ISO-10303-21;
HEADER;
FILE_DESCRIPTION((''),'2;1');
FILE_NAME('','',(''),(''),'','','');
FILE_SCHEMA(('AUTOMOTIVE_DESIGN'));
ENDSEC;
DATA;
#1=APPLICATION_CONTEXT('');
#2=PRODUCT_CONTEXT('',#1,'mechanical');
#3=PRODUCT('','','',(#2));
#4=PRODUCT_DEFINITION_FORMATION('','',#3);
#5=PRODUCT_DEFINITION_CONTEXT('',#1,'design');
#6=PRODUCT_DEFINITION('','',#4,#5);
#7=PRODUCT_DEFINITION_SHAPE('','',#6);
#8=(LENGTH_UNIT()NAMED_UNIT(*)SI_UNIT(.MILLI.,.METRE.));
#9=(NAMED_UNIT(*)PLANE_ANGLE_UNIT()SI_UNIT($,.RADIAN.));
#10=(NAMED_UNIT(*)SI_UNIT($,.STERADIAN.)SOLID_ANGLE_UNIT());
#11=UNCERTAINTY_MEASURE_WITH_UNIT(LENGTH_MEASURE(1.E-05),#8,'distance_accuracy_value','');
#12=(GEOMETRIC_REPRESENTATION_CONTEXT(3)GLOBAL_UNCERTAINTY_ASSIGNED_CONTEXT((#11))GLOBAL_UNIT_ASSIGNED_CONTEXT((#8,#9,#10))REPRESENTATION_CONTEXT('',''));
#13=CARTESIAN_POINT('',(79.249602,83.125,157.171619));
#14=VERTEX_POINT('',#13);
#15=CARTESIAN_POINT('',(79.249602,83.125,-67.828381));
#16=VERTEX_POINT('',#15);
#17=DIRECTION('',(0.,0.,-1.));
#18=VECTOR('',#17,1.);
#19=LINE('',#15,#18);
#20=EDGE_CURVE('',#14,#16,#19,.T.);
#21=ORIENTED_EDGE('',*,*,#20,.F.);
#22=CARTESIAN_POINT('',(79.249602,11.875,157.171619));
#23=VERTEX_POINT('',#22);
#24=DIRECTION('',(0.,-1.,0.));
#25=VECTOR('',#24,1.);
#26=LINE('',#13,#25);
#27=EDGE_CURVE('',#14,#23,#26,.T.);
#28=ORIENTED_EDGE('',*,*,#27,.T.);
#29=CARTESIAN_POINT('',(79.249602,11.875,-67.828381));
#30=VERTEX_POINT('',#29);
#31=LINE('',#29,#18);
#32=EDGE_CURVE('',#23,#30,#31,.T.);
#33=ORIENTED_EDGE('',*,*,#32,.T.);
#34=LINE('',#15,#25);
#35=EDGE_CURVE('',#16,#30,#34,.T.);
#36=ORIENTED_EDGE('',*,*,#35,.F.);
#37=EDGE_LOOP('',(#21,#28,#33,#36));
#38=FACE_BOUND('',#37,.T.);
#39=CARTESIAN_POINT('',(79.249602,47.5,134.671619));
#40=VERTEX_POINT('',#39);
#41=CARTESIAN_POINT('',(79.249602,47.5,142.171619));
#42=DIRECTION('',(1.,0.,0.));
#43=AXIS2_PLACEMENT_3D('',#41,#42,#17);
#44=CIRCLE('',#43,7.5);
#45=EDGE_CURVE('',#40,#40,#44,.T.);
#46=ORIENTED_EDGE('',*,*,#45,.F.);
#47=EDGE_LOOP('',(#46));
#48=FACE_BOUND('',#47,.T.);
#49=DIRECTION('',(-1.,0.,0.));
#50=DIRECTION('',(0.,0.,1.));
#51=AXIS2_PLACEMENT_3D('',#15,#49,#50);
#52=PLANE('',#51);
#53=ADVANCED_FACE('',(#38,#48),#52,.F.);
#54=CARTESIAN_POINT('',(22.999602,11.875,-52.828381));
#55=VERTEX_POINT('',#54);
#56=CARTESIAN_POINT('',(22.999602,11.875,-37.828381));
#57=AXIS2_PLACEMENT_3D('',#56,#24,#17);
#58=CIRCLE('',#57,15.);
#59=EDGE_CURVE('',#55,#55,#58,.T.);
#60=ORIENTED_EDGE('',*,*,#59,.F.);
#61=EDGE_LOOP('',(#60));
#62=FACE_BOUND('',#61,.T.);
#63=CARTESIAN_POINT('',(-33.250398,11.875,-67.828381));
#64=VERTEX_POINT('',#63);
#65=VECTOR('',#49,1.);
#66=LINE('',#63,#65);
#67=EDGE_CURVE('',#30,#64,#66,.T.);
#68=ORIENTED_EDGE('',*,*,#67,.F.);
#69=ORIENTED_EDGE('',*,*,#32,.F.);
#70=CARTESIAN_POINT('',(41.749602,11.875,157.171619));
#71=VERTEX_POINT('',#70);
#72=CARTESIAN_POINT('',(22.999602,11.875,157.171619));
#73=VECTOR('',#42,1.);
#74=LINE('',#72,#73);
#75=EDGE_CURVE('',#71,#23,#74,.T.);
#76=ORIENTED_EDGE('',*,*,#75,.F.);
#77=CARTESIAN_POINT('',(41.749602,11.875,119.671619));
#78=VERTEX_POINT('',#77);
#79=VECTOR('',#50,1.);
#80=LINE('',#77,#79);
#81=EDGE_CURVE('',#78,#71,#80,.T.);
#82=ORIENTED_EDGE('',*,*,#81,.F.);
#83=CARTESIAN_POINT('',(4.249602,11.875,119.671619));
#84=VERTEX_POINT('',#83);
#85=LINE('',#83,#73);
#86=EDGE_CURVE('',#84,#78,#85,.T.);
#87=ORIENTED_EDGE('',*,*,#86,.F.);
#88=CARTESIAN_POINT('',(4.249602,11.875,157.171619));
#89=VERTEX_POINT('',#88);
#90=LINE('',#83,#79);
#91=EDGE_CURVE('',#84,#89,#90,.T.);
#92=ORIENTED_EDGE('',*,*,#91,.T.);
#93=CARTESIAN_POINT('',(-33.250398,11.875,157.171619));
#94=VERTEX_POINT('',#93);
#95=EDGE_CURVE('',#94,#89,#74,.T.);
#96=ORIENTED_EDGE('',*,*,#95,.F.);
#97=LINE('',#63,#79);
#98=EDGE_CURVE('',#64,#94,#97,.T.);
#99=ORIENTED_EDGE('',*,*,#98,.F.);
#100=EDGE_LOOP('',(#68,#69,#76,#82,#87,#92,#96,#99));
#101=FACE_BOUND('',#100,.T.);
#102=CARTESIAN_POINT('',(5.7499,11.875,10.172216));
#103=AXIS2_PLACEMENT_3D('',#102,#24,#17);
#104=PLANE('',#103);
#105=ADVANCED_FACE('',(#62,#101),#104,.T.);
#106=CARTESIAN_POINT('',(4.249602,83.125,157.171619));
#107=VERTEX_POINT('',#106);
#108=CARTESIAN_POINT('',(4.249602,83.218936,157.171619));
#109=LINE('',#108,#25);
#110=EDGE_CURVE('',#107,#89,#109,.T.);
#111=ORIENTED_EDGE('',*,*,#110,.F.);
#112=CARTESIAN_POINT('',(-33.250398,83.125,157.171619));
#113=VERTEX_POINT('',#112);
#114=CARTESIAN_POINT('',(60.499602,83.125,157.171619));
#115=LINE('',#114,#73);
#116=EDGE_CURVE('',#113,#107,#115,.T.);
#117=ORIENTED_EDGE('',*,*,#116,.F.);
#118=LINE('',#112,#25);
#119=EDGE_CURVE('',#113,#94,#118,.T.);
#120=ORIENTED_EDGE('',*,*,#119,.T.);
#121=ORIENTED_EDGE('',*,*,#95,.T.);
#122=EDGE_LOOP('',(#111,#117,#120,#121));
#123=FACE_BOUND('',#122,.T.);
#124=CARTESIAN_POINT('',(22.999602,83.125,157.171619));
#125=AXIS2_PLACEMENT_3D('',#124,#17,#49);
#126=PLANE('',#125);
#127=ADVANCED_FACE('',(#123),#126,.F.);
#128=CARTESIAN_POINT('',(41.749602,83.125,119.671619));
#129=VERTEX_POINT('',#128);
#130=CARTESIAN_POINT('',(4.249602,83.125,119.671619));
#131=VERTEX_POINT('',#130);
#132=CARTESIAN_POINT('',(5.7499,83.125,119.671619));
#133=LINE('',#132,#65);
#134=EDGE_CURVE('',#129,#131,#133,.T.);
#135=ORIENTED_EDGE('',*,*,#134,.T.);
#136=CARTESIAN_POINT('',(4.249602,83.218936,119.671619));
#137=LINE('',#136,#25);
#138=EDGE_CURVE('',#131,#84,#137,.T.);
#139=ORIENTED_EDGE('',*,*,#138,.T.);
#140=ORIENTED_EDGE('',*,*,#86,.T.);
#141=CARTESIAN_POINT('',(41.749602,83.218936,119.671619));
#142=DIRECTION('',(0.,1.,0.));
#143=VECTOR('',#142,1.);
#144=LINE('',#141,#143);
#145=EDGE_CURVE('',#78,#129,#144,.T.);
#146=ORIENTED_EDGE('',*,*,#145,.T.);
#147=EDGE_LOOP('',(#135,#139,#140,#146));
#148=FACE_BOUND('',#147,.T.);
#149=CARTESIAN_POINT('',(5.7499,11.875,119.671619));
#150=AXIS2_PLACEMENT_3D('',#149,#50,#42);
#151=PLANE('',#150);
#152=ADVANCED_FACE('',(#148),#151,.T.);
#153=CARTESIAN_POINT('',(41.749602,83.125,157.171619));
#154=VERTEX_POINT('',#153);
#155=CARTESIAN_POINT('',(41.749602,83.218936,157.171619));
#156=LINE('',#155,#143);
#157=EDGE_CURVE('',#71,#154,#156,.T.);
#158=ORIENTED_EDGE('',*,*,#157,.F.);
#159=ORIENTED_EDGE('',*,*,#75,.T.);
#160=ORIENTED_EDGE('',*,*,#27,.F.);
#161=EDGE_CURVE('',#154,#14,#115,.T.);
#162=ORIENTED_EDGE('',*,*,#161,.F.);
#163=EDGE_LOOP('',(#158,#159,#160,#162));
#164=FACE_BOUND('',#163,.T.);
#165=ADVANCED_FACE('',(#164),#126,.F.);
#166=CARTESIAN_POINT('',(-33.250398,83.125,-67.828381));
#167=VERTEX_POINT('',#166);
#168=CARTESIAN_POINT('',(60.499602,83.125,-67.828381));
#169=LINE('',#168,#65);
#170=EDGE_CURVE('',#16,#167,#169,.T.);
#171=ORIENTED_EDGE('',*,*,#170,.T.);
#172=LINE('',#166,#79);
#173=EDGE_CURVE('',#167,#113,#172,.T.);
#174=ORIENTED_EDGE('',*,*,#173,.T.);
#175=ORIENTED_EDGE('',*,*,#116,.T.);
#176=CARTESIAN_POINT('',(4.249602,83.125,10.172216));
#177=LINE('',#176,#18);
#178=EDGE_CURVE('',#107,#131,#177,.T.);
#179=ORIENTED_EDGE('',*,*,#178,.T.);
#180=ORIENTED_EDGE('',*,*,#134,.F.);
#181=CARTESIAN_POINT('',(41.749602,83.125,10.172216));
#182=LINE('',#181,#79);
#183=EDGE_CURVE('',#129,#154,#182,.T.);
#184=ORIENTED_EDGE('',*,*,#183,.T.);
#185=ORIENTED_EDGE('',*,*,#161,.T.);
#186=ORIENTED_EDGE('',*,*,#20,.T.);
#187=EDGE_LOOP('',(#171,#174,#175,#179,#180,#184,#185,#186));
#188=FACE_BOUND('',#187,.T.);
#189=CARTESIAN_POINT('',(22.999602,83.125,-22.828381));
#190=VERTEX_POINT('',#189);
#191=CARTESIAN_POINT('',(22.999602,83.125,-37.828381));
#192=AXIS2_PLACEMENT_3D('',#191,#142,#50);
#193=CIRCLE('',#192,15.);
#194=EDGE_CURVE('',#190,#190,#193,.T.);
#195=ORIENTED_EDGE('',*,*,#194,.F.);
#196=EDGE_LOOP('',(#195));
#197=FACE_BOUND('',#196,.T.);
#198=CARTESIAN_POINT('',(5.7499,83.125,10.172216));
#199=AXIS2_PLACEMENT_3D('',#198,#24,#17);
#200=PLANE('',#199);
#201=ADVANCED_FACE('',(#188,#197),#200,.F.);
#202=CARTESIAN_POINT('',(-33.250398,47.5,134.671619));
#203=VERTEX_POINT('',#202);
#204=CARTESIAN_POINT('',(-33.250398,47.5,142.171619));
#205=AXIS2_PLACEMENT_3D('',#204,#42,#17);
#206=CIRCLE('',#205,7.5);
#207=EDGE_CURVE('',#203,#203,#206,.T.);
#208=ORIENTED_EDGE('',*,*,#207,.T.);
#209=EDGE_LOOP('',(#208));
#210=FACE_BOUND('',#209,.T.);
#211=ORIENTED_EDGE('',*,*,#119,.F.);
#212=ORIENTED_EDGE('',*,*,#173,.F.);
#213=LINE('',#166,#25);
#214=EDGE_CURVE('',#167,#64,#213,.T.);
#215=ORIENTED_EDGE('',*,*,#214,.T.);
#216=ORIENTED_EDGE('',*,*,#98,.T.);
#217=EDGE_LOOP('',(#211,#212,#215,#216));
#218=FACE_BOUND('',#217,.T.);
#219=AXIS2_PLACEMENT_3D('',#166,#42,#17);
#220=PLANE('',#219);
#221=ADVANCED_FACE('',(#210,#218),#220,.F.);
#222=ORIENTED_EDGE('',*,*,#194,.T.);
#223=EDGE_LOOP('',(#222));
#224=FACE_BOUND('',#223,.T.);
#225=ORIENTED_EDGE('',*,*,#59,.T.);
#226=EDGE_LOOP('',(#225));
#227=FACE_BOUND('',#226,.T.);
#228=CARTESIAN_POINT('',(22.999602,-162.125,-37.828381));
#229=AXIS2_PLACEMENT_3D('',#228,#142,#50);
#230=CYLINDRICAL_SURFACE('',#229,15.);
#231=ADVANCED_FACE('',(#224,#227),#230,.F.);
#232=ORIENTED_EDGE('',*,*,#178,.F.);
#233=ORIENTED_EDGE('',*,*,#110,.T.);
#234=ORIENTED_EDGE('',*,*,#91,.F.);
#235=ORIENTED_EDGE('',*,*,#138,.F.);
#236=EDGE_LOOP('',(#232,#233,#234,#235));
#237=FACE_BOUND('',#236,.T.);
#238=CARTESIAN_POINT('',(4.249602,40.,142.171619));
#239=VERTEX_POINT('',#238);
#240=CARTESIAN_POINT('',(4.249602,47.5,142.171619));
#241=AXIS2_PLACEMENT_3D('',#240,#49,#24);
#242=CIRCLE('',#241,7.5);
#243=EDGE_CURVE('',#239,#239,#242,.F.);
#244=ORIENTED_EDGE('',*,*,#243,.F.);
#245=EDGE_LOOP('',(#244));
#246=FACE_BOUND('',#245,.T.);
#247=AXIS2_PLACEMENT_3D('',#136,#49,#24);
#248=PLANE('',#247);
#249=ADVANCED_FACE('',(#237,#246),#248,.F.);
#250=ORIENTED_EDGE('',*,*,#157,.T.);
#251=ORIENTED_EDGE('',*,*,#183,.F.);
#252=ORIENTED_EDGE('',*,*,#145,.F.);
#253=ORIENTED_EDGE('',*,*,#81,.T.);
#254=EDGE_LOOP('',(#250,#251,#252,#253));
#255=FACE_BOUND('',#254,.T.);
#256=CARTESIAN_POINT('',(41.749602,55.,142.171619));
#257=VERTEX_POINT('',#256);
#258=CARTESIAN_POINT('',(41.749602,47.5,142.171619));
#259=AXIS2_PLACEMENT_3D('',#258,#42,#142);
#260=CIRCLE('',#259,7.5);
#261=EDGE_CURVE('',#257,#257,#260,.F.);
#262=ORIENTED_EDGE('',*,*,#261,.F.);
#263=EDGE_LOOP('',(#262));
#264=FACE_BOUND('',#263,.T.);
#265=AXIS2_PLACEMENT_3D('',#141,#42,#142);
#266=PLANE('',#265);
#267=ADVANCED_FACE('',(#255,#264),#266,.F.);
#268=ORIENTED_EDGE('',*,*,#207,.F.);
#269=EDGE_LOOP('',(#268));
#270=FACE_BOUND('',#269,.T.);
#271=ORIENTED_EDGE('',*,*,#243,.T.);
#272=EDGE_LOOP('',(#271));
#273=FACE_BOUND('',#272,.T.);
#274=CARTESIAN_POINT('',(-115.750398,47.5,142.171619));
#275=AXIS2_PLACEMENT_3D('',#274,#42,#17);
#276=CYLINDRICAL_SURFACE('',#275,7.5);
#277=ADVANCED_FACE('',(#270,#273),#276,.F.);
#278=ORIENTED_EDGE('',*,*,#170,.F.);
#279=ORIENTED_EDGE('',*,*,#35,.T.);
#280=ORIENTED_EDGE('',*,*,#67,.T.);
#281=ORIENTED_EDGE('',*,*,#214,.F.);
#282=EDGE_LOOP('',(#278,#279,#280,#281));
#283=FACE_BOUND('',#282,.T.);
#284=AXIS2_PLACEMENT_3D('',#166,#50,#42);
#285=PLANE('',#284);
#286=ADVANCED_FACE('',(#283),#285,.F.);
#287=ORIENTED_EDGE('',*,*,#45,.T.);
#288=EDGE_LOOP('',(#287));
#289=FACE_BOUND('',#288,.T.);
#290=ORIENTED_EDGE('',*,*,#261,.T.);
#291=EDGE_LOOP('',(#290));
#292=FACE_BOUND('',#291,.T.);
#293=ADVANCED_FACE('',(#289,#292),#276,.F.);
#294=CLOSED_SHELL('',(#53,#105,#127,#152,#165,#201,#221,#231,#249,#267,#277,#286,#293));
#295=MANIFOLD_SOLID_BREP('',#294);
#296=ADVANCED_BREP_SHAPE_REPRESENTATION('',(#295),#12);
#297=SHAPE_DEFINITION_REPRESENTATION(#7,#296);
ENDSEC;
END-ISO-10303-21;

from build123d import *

# Parameters (mm, degrees)
BOSS_EXTRUDE1_DEPTH = 95
SKETCH3_R           = 20
CUT_EXTRUDE2_DEPTH  = 327
SKETCH4_R           = 10
CUT_EXTRUDE3_DEPTH  = 260
SKETCH5_W           = 50
SKETCH5_H           = 95.125248012
CUT_EXTRUDE4_DEPTH  = 50
SCALE1_SCALE        = 0.75


with BuildPart() as part:
    # Sketch1 → Boss-Extrude1 (new body)
    with BuildSketch(Plane(origin=(0, 0, 0), x_dir=(1, 0, 0), z_dir=(0, 1, 0))):
        Polygon((72.999601763, 104.000796475), (97.999601763, 104.000796475), (97.999601763, -195.999203525), (72.999601763, -195.999203525), (22.999601763, -195.999203525), (-52.000398237, -195.999203525), (-52.000398237, 104.000796475), (22.999601763, 104.000796475), align=None)
    extrude(amount=BOSS_EXTRUDE1_DEPTH)

    # Sketch3 → Cut-Extrude2 (cut)
    with BuildSketch(Plane(origin=(0, 95, 0), x_dir=(1, 0, 0), z_dir=(0, 1, 0))):
        with Locations(Location((22.999601763, 64.000796475, 0), (0, 0, 270))):
            Circle(SKETCH3_R)
    extrude(amount=-CUT_EXTRUDE2_DEPTH, mode=Mode.SUBTRACT)

    # Sketch4 → Cut-Extrude3 (cut)
    with BuildSketch(Plane(origin=(97.999601763, 0, 0), x_dir=(0, 0, -1), z_dir=(1, 0, 0))):
        with Locations((-175.999203525, 47.5)):
            Circle(SKETCH4_R)
    extrude(amount=-CUT_EXTRUDE3_DEPTH, mode=Mode.SUBTRACT)

    # Sketch5 → Cut-Extrude4 (cut)
    with BuildSketch(Plane.XY.offset(195.999203525)):
        with Locations((22.999601763, 47.562624006)):
            Rectangle(SKETCH5_W, SKETCH5_H)
    extrude(amount=-CUT_EXTRUDE4_DEPTH, mode=Mode.SUBTRACT)


with BuildPart() as part_1:
    # Scale1: scaled about (22.999601763, 47.5, 40.688864602)
    add(part.part.scale(SCALE1_SCALE).moved(Location((5.749900441, 11.875, 10.172216151))))


solid = part_1.part
